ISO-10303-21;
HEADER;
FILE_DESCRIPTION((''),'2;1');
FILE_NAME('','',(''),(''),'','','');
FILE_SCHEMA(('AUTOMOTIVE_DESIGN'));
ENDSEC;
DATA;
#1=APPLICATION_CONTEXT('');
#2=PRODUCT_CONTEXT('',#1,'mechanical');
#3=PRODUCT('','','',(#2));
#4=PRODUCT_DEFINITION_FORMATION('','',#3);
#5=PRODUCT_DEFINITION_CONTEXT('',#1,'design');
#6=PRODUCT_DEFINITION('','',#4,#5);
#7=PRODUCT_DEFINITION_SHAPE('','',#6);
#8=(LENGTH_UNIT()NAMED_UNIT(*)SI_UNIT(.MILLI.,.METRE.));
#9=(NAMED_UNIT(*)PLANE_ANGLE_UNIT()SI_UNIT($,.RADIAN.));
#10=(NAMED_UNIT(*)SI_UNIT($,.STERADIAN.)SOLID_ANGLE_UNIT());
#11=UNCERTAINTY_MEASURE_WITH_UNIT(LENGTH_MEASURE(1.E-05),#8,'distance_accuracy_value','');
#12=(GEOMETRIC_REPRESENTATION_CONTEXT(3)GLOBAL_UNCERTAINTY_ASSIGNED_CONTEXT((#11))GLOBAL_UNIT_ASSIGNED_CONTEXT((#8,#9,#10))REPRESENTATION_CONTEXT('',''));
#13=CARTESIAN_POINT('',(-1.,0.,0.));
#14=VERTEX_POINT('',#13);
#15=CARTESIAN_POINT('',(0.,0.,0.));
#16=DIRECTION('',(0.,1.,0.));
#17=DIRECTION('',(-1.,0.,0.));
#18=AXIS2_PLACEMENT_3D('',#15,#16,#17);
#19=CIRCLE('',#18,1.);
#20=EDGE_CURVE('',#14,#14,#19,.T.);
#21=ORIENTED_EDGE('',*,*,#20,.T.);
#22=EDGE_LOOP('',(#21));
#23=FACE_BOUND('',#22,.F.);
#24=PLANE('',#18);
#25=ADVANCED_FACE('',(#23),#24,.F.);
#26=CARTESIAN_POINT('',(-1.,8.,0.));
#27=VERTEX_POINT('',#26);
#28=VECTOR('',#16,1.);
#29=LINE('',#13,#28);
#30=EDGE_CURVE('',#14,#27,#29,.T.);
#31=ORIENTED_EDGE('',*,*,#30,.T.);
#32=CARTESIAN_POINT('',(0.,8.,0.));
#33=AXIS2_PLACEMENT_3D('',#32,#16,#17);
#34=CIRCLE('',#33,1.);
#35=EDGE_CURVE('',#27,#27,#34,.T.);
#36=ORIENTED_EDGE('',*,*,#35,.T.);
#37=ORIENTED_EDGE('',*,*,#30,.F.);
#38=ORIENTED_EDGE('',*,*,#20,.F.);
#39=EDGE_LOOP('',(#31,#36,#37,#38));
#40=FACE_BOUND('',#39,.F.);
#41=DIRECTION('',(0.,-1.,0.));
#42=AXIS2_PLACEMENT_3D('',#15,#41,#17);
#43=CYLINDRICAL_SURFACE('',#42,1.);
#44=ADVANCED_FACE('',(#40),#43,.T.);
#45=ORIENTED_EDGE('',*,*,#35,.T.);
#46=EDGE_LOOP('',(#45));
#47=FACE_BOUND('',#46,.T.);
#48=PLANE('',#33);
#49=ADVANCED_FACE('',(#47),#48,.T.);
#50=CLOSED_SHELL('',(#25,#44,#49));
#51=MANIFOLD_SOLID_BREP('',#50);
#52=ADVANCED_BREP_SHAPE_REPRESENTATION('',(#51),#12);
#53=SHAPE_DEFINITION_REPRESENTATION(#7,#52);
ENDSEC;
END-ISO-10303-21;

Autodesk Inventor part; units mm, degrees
ref_plane "YZ Plane" through (0, 0, 0) normal (1, 0, 0) x (0, 1, 0)
ref_plane "XZ Plane" through (0, 0, 0) normal (0, 1, 0) x (-1, 0, 0)
ref_plane "XY Plane" through (0, 0, 0) normal (0, 0, 1) x (1, 0, 0)
sketch "Sketch1" plane through (0, 0, 0) normal (0, 1, 0) x (-1, 0, 0)
  circle A0 centre (0, 0) radius 1
  dimension "d0" = 2
extrude "Extrusion1" add sketch "Sketch1" along normal blind 8
properties part number "Pin_2_8"
